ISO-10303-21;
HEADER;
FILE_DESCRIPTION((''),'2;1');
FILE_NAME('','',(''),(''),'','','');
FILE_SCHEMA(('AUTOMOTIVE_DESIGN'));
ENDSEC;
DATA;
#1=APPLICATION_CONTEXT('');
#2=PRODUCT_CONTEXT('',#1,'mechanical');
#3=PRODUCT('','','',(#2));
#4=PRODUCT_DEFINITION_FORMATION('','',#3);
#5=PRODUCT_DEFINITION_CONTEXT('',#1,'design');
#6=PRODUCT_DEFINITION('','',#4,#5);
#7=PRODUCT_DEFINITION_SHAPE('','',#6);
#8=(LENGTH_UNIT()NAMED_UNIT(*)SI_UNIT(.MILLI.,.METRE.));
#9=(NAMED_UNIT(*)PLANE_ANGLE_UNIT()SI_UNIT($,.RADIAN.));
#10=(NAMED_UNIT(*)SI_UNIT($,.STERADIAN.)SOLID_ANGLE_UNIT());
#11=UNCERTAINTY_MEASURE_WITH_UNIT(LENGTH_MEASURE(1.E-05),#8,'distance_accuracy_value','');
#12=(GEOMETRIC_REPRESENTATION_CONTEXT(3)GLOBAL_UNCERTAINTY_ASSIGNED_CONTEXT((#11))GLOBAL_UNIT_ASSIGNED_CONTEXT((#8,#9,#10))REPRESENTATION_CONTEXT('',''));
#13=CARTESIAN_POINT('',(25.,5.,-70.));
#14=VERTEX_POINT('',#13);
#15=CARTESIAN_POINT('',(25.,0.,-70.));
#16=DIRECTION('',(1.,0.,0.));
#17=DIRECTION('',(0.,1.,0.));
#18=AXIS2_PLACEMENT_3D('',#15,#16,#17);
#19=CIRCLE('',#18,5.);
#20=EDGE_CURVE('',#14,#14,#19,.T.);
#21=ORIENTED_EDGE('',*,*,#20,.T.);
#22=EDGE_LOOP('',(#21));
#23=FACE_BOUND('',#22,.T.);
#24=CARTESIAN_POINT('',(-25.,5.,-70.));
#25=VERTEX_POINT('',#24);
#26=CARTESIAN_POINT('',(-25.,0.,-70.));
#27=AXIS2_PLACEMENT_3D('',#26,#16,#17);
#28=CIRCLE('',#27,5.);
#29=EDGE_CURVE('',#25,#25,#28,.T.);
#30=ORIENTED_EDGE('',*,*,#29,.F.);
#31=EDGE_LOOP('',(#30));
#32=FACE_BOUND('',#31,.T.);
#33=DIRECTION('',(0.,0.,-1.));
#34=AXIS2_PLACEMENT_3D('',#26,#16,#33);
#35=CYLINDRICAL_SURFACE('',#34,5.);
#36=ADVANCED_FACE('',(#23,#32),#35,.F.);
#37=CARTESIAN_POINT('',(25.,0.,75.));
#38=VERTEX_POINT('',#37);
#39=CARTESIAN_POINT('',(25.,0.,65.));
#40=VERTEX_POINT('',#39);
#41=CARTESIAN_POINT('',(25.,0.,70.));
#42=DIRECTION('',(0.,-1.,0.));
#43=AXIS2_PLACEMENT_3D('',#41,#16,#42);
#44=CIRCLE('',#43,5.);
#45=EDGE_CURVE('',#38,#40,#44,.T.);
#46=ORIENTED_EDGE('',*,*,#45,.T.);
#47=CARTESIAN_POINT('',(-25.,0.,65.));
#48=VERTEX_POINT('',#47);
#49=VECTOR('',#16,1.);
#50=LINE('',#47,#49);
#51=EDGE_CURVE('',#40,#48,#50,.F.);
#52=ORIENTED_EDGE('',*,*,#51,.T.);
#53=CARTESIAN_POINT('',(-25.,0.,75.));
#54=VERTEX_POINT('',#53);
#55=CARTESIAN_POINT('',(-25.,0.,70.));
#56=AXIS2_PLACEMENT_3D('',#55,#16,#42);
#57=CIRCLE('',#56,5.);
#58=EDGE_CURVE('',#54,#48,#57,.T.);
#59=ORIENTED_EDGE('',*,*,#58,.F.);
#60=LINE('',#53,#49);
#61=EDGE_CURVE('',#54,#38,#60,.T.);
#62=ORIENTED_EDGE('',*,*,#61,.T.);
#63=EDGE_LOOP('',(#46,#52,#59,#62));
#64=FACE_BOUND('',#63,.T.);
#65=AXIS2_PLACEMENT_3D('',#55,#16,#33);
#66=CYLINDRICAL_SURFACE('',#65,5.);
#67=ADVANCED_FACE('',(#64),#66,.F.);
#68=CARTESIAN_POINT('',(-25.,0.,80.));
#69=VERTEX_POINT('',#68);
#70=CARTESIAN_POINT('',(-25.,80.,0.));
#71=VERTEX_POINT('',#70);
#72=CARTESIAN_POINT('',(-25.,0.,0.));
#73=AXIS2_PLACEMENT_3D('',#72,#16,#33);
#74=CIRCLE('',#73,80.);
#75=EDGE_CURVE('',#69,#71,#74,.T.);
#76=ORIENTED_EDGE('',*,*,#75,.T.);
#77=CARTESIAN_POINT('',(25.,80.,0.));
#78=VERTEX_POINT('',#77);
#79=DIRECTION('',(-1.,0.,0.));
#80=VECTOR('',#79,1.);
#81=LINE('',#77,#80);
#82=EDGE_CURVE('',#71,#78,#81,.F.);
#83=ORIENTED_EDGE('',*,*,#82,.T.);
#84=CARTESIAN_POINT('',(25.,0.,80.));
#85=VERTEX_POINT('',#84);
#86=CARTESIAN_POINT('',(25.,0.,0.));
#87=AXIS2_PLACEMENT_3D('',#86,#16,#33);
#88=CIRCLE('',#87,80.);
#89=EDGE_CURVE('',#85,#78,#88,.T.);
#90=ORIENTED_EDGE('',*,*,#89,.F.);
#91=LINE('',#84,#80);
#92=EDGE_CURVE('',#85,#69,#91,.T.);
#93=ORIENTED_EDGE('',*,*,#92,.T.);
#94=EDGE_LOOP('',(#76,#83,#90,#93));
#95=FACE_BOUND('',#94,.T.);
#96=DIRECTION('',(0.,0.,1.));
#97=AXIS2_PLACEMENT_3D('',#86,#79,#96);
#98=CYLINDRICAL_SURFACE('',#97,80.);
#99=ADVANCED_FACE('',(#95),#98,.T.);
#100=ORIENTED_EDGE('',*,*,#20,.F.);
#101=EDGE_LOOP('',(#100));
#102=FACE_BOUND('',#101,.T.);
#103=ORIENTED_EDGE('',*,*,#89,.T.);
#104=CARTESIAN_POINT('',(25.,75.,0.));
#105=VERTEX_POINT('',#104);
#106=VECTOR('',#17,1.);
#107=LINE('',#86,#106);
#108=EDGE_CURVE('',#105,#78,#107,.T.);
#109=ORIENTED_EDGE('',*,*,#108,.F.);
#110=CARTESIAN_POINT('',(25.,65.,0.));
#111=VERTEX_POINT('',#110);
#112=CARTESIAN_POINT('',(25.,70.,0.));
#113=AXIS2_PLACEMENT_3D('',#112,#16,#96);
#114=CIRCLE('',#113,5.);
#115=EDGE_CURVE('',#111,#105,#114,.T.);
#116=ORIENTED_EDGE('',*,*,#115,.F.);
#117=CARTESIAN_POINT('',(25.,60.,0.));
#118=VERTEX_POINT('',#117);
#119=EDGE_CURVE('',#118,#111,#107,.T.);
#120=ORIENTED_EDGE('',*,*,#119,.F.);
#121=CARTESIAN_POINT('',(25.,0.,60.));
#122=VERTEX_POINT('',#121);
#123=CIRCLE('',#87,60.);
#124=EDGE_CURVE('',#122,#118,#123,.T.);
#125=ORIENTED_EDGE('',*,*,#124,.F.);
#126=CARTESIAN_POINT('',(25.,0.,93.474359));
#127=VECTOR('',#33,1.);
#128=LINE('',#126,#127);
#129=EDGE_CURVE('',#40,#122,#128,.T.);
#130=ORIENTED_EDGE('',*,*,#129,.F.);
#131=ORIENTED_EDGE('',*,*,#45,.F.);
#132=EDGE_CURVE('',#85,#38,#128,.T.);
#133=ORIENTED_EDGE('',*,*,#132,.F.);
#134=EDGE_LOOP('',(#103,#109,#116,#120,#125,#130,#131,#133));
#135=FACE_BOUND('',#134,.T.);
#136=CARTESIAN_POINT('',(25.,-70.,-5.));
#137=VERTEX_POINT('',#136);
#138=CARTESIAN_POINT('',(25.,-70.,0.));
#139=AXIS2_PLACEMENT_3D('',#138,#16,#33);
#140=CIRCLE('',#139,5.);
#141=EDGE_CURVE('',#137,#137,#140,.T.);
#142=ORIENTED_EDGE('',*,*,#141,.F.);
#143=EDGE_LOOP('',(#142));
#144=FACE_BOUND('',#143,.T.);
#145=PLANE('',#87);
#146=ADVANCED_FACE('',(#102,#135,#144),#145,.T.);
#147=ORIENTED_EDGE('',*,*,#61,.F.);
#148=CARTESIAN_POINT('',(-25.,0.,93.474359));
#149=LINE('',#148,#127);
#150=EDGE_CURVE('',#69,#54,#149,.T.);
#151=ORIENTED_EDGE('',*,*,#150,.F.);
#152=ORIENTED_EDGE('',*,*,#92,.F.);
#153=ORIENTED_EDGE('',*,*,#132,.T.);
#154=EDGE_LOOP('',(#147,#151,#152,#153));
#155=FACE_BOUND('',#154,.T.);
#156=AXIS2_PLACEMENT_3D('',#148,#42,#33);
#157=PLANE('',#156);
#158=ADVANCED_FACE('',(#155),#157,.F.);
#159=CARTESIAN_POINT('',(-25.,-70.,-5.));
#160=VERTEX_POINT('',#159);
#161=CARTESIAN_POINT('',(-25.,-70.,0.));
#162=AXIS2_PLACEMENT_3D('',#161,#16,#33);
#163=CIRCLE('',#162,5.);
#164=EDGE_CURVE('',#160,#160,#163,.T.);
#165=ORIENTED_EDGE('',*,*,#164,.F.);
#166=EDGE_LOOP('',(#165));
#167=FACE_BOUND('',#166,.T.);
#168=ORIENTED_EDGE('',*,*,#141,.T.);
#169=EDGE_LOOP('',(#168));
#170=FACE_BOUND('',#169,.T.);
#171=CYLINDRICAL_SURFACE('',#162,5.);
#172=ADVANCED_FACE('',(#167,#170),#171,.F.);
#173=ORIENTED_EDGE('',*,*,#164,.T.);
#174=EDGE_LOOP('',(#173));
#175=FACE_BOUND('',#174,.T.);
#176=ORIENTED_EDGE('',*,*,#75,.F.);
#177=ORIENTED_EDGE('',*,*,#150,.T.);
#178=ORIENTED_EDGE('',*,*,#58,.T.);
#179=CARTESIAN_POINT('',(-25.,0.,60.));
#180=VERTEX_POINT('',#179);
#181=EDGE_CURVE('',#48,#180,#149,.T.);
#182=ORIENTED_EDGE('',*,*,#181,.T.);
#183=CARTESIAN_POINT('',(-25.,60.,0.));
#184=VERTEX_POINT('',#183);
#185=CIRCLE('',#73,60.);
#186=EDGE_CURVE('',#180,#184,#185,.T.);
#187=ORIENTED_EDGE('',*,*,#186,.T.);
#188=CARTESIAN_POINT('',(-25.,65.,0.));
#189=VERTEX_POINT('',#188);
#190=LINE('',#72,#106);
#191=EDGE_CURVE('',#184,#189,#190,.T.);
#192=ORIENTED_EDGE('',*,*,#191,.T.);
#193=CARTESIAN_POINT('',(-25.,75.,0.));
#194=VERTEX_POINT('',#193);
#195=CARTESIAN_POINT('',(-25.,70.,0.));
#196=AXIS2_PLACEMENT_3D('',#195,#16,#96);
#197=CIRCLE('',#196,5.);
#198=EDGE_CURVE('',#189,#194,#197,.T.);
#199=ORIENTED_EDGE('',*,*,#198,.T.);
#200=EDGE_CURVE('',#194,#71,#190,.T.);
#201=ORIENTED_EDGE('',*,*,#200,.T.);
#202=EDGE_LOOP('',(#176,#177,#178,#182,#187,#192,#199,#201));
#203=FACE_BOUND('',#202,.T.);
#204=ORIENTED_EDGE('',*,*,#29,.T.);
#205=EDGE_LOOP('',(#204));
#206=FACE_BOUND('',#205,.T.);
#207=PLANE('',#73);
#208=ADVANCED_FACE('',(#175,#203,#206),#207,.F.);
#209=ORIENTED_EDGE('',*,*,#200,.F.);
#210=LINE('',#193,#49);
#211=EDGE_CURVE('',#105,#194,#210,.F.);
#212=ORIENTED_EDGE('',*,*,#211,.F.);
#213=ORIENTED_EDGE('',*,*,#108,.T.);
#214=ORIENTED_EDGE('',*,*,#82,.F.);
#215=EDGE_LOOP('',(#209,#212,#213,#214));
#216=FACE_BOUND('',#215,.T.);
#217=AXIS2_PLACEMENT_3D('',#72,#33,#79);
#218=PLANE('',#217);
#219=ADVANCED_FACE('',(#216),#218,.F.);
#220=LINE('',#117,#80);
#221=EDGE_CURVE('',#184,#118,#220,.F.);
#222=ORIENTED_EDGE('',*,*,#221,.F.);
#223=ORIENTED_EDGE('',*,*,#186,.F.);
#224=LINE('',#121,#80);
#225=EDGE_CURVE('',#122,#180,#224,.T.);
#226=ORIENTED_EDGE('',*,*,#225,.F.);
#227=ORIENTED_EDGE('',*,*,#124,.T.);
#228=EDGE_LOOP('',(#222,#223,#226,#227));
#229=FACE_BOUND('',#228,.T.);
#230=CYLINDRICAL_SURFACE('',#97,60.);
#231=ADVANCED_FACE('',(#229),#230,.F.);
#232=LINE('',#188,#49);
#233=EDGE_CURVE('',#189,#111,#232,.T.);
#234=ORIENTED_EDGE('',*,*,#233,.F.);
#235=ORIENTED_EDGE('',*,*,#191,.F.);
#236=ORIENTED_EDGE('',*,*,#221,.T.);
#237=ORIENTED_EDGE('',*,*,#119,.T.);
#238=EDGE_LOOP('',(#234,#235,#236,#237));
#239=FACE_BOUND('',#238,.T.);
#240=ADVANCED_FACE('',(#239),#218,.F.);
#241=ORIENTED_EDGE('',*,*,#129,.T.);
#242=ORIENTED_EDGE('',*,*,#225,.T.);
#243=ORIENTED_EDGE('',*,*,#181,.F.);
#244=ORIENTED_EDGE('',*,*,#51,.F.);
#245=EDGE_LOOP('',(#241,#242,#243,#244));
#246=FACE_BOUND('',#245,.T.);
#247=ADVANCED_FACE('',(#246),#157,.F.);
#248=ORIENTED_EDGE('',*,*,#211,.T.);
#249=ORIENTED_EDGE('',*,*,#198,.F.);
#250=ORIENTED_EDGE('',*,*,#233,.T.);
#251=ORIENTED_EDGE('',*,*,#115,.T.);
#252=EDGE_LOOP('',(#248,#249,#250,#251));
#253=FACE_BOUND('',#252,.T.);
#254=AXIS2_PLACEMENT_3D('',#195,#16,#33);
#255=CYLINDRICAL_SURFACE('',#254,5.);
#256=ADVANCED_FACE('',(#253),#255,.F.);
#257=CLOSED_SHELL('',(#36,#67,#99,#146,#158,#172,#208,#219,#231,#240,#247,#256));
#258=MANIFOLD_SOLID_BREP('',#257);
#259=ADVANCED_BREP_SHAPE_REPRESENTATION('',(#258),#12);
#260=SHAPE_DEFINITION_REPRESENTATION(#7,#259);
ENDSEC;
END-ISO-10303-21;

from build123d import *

# Parameters (mm, degrees)
SKETCH1_R           = 80
SKETCH1_R_2         = 60
BOSS_EXTRUDE1_DEPTH = 25
SKETCH2_R           = 5
CUT_EXTRUDE1_DEPTH  = 124.693168769
CIRPATTERN1_COUNT   = 4
CUT_EXTRUDE2_DEPTH  = 124.693168769


with BuildPart() as part:
    # Sketch1 → Boss-Extrude1 (new, symmetric)
    with BuildSketch(Plane.YZ):
        with Locations(Location((0, 0, 0), (0, 0, 270))):
            Circle(SKETCH1_R)
        with Locations(Location((0, 0, 0), (0, 0, 270))):
            Circle(SKETCH1_R_2, mode=Mode.SUBTRACT)
    extrude(amount=BOSS_EXTRUDE1_DEPTH, both=True)

    # Sketch2 → Cut-Extrude1 (cut, through all)
    with BuildSketch(Plane.YZ.offset(25)):
        with Locations(Location((-70, 0, 0), (0, 0, 270))):
            Circle(SKETCH2_R)
    cut_extrude1 = extrude(amount=-CUT_EXTRUDE1_DEPTH, mode=Mode.SUBTRACT)

    # CirPattern1: Cut-Extrude1 ×4 about axis
    cirpattern1_axis = Axis((0, 0, 0), (1, 0, 0))
    for i in range(1, CIRPATTERN1_COUNT):
        add(cut_extrude1.rotate(cirpattern1_axis, i * 360 / CIRPATTERN1_COUNT), mode=Mode.SUBTRACT)

    # Sketch3 → Cut-Extrude2 (cut, through all)
    with BuildSketch(Plane.YZ.offset(25)):
        Polygon((0, 93.474358871), (0, 0), (100.664694168, 0), (100.664694168, 96.534076019), align=None)
    extrude(amount=-CUT_EXTRUDE2_DEPTH, mode=Mode.SUBTRACT)


solid = part.part
